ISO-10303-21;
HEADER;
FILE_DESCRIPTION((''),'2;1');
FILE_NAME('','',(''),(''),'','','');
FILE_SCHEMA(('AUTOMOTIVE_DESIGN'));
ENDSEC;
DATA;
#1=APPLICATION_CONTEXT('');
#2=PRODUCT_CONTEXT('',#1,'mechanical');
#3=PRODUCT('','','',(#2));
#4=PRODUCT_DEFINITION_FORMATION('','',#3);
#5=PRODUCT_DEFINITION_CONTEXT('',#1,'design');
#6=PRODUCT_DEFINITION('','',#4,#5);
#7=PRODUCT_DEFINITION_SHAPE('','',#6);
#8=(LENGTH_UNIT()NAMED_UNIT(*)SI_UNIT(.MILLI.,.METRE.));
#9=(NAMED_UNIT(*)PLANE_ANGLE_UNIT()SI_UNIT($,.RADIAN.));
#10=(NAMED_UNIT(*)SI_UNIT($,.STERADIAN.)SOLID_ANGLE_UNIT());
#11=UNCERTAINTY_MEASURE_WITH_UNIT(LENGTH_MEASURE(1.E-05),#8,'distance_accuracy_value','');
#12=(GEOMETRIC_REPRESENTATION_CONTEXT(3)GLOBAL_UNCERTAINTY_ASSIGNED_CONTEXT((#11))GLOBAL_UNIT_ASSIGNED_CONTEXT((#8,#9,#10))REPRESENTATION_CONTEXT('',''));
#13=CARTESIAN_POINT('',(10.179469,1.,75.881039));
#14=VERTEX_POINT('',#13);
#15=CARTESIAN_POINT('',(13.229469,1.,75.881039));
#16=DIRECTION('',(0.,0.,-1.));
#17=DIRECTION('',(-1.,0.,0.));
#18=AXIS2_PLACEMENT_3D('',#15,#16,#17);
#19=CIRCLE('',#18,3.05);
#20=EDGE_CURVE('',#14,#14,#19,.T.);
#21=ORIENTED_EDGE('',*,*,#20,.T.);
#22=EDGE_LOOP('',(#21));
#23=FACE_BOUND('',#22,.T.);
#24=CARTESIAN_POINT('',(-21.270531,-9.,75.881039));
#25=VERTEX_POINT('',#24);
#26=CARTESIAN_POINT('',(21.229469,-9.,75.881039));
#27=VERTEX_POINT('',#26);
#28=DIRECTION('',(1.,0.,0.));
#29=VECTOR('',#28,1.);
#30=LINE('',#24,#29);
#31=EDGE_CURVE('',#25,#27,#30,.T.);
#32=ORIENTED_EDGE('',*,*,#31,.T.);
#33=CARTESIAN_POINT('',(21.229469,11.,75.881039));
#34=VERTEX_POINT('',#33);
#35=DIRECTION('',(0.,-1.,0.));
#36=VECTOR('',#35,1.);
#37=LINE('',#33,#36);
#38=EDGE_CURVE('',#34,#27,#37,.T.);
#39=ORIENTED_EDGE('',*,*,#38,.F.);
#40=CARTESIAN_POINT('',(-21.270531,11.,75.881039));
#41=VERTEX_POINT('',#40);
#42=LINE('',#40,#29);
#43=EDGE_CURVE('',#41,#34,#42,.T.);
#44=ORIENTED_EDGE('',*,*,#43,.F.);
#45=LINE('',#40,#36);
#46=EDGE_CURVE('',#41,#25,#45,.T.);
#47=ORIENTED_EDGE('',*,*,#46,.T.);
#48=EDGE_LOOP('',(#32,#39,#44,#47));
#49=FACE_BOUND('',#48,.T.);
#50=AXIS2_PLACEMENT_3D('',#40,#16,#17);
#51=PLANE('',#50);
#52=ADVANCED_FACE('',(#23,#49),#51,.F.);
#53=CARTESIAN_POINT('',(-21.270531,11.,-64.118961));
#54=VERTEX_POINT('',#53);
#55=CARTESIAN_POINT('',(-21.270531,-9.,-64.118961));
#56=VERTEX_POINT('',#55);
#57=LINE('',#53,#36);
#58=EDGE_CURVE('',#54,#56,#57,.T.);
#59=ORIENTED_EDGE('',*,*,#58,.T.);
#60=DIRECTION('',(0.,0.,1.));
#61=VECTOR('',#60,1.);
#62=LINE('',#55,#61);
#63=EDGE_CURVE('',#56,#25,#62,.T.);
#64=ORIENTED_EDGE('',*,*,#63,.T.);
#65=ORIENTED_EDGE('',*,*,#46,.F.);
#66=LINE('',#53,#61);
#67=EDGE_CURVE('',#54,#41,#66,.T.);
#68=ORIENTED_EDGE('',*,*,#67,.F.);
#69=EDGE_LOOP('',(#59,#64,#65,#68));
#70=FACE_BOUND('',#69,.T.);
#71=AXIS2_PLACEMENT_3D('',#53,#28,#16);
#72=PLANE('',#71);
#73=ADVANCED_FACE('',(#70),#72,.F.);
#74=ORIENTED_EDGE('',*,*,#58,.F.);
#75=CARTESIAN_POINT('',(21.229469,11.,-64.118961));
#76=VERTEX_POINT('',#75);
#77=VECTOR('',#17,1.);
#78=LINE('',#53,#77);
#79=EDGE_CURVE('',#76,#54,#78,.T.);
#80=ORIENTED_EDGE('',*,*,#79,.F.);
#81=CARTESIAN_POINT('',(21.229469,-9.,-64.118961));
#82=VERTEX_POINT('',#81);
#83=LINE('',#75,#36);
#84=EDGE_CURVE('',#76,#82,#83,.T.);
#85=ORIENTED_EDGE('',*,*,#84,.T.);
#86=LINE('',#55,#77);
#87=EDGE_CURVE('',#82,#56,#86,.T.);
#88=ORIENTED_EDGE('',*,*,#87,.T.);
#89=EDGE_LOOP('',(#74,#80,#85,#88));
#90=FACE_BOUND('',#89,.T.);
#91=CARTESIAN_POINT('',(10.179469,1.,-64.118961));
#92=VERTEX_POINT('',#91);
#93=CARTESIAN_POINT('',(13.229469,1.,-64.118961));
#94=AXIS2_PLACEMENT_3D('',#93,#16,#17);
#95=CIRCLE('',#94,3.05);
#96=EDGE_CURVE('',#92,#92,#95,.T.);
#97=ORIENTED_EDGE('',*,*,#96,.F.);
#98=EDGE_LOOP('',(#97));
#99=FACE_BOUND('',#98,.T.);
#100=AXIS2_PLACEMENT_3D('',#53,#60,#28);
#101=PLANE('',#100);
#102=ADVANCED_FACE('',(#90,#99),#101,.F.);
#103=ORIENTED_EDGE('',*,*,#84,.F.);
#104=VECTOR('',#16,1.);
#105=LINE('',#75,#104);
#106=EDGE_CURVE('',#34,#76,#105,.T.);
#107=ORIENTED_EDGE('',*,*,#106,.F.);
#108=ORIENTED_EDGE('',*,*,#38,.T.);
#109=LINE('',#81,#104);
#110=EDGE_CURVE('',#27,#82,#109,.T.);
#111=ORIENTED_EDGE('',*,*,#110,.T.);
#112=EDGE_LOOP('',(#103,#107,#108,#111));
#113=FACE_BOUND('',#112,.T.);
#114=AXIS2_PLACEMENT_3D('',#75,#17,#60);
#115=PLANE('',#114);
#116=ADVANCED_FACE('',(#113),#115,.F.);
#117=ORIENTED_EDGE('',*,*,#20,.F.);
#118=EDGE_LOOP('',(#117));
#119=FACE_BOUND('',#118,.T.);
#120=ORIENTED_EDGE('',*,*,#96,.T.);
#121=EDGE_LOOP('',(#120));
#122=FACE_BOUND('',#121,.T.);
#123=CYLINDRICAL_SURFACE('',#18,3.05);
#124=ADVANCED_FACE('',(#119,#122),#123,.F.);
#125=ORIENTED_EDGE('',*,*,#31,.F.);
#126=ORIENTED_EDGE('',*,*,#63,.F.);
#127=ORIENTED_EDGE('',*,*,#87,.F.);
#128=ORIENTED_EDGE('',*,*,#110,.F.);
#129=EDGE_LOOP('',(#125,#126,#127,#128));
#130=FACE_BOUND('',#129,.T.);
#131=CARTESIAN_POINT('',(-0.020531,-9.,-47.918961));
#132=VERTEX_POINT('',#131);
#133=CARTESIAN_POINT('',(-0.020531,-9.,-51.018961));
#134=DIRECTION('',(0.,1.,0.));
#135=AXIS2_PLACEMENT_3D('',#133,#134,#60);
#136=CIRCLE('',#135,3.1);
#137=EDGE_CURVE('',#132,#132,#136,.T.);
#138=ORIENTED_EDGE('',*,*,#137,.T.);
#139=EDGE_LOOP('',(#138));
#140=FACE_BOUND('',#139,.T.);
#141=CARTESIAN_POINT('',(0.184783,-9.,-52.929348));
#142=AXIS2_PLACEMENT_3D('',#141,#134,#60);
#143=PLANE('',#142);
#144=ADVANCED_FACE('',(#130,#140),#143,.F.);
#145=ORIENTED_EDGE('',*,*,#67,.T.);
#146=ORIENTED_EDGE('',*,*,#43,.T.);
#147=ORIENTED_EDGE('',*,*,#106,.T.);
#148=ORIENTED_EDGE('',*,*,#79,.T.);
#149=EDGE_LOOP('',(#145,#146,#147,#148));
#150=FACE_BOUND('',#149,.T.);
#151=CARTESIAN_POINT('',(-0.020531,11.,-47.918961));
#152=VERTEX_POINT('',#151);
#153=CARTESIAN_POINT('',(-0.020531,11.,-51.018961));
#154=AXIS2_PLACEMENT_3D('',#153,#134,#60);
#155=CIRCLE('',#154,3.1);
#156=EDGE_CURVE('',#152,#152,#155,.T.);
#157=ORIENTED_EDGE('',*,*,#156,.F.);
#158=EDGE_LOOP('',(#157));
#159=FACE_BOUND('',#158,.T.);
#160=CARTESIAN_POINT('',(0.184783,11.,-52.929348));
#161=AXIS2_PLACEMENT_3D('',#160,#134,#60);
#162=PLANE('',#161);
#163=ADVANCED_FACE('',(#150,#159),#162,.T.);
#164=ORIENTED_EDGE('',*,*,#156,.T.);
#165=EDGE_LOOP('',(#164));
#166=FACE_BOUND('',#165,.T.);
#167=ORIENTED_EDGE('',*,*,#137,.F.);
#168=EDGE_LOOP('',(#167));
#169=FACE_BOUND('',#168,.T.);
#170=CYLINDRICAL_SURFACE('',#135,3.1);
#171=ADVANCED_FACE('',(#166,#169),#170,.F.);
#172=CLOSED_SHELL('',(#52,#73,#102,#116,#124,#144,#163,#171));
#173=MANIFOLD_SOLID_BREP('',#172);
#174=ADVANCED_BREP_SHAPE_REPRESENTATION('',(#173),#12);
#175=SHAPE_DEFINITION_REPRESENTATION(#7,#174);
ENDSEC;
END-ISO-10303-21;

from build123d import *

# Parameters (mm, degrees)
SKETCH1_W           = 4.25
SKETCH1_H           = 14
BOSS_EXTRUDE1_DEPTH = 2
SCALE1_SCALE        = 10
SKETCH2_R           = 3.05
CUT_EXTRUDE1_DEPTH  = 143.03321973
SKETCH4_R           = 3.1
CUT_EXTRUDE2_DEPTH  = 82.304166761


with BuildPart() as part:
    # Sketch1 → Boss-Extrude1 (new body)
    with BuildSketch(Plane(origin=(0, 0, 0), x_dir=(1, 0, 0), z_dir=(0, 1, 0))):
        with Locations((-0.020531401, -5.881038647)):
            Rectangle(SKETCH1_W, SKETCH1_H)
    extrude(amount=BOSS_EXTRUDE1_DEPTH)


with BuildPart() as part_1:
    # Scale1: scaled about (-0.020531401, 1, 5.881038647)
    add(part.part.scale(SCALE1_SCALE).moved(Location((0.184782609, -9, -52.929347823))))

    # Sketch2 → Cut-Extrude1 (cut, through all)
    with BuildSketch(Plane(origin=(0, 0, -64.118961353), x_dir=(-1, 0, 0), z_dir=(0, 0, -1))):
        with Locations((-13.229468599, 1)):
            Circle(SKETCH2_R)
    extrude(amount=-CUT_EXTRUDE1_DEPTH, mode=Mode.SUBTRACT)

    # Sketch4 → Cut-Extrude2 (cut, through all)
    with BuildSketch(Plane(origin=(0, 11, 0), x_dir=(1, 0, 0), z_dir=(0, 1, 0))):
        with Locations(Location((-0.020531401, 51.018961353, 0), (0, 0, 270))):
            Circle(SKETCH4_R)
    extrude(amount=-CUT_EXTRUDE2_DEPTH, mode=Mode.SUBTRACT)


solid = part_1.part
